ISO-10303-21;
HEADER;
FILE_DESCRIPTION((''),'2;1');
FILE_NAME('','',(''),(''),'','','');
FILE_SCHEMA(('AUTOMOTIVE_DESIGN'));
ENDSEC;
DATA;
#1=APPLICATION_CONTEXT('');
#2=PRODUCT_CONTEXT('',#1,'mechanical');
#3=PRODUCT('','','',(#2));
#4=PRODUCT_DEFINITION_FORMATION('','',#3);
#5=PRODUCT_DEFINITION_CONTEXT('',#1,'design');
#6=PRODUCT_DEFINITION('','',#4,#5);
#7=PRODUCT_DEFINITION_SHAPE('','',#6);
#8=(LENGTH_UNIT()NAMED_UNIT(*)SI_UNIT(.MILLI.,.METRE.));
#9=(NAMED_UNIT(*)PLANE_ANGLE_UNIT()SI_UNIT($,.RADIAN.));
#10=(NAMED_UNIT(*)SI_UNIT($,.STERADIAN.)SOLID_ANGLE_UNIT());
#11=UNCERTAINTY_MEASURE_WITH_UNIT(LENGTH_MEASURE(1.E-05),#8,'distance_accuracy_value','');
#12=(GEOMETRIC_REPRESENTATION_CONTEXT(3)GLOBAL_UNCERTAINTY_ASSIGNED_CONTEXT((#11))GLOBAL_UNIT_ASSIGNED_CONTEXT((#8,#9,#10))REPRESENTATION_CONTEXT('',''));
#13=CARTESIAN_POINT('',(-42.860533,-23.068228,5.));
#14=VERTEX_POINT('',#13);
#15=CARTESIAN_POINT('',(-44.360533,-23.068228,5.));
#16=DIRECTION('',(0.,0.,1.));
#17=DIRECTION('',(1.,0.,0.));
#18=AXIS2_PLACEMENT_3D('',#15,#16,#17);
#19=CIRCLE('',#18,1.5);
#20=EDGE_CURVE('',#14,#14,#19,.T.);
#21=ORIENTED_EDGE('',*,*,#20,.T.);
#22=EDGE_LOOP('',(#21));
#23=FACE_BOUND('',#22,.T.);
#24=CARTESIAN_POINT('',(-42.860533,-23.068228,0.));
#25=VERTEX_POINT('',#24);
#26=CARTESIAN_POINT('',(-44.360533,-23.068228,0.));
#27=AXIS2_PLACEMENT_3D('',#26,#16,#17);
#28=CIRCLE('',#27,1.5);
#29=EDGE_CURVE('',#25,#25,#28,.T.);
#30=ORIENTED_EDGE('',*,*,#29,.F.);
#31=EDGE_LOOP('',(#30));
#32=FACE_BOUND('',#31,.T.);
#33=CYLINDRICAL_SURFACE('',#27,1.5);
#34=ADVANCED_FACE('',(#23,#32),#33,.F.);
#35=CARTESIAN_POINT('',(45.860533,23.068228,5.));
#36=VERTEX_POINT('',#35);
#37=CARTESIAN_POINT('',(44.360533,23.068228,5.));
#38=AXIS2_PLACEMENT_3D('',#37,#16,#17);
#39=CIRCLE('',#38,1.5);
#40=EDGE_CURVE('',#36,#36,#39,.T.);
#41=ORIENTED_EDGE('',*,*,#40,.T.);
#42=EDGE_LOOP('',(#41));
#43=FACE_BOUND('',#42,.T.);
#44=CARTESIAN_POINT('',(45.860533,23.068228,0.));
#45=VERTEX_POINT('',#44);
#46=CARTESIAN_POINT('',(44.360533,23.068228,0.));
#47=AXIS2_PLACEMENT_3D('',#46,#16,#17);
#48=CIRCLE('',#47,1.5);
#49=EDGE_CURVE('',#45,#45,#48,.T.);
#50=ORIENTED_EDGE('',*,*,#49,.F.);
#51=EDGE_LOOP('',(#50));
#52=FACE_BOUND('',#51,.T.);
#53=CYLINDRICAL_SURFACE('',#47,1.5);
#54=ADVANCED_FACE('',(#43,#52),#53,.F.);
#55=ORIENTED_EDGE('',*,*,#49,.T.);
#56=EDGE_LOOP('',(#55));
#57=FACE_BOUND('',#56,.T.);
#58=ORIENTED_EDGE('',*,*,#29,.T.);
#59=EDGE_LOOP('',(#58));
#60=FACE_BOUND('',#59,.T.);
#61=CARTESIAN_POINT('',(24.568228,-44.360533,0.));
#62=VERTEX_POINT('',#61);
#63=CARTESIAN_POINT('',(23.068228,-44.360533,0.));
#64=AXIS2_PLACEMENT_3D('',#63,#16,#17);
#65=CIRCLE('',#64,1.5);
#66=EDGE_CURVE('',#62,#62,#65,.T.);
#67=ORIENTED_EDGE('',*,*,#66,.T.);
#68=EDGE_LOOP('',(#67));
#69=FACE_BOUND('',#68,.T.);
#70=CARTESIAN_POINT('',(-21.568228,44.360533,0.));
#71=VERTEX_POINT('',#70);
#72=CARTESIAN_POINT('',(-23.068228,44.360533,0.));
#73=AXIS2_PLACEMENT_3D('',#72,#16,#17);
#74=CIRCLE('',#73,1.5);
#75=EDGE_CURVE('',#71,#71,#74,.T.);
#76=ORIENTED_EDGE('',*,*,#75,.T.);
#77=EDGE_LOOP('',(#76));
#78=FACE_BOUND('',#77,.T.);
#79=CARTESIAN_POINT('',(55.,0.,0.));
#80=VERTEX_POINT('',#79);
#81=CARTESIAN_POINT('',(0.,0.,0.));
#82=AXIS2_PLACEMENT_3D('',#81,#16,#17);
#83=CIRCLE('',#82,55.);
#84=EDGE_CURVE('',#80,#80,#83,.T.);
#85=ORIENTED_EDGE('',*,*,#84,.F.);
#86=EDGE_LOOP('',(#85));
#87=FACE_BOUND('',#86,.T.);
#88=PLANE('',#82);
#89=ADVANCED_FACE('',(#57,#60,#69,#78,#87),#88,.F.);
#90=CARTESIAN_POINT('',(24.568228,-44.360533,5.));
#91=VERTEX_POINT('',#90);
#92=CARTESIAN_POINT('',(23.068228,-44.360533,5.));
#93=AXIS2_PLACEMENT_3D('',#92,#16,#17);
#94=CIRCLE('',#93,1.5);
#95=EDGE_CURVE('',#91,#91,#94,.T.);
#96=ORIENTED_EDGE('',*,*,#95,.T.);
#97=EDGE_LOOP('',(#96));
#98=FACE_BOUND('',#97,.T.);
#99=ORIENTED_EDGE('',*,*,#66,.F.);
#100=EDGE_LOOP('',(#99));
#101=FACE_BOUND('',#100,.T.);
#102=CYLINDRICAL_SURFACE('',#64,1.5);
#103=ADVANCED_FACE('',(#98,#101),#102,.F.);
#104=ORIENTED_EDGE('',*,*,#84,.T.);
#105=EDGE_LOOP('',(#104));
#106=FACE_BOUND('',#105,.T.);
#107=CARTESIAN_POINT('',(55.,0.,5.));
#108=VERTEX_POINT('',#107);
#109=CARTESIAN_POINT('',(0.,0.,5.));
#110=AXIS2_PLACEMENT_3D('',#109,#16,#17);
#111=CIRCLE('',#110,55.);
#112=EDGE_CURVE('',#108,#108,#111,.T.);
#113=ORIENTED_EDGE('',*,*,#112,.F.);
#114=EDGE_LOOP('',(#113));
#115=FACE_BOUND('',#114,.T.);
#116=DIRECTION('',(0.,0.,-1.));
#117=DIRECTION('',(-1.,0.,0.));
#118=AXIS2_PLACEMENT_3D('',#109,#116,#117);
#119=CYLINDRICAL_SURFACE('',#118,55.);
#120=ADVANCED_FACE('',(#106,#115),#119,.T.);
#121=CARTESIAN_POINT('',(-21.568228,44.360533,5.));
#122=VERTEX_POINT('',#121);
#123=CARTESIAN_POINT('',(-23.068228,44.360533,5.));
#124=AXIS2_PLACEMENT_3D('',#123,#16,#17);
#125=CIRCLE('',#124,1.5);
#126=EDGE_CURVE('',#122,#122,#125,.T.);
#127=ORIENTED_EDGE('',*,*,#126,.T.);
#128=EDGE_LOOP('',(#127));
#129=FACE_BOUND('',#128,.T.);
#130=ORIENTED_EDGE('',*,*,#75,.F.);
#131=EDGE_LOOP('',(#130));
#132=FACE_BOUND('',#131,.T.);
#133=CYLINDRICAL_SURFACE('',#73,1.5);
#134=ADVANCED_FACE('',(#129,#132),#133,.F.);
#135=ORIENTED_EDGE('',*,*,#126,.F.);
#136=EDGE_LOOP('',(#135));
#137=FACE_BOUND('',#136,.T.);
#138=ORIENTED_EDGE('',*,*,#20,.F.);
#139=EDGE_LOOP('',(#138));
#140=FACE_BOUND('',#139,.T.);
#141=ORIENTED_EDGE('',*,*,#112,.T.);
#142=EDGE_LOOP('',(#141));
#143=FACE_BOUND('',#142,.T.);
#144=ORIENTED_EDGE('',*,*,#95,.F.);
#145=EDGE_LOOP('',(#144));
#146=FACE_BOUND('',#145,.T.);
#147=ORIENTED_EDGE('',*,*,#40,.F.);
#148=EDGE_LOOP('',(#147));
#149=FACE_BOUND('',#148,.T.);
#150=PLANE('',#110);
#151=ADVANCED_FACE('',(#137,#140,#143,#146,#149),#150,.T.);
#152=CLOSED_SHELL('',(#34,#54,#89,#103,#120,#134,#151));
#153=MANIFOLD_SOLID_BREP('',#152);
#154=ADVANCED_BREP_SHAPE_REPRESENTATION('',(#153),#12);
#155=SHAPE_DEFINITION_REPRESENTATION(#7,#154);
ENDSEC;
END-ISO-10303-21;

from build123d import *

# Parameters (mm, degrees)
ESQUISSE1_R             = 55
BOSS_EXTRU_1_DEPTH      = 5
ESQUISSE2_R             = 1.5
ENL_V_MAT_EXTRU_1_DEPTH = 78.942286341


with BuildPart() as part:
    # Esquisse1 → Boss.-Extru.1 (new body)
    with BuildSketch(Plane.XY):
        Circle(ESQUISSE1_R)
    extrude(amount=BOSS_EXTRU_1_DEPTH)

    # Esquisse2 → Enlèv. mat.-Extru.1 (cut, through all)
    with BuildSketch(Plane.XY.offset(5)):
        with Locations((23.068227683, -44.360532814)):
            Circle(ESQUISSE2_R)
        with Locations((-44.360532814, -23.068227683)):
            Circle(ESQUISSE2_R)
        with Locations((-23.068227683, 44.360532814)):
            Circle(ESQUISSE2_R)
        with Locations((44.360532814, 23.068227683)):
            Circle(ESQUISSE2_R)
    extrude(amount=-ENL_V_MAT_EXTRU_1_DEPTH, mode=Mode.SUBTRACT)


solid = part.part
